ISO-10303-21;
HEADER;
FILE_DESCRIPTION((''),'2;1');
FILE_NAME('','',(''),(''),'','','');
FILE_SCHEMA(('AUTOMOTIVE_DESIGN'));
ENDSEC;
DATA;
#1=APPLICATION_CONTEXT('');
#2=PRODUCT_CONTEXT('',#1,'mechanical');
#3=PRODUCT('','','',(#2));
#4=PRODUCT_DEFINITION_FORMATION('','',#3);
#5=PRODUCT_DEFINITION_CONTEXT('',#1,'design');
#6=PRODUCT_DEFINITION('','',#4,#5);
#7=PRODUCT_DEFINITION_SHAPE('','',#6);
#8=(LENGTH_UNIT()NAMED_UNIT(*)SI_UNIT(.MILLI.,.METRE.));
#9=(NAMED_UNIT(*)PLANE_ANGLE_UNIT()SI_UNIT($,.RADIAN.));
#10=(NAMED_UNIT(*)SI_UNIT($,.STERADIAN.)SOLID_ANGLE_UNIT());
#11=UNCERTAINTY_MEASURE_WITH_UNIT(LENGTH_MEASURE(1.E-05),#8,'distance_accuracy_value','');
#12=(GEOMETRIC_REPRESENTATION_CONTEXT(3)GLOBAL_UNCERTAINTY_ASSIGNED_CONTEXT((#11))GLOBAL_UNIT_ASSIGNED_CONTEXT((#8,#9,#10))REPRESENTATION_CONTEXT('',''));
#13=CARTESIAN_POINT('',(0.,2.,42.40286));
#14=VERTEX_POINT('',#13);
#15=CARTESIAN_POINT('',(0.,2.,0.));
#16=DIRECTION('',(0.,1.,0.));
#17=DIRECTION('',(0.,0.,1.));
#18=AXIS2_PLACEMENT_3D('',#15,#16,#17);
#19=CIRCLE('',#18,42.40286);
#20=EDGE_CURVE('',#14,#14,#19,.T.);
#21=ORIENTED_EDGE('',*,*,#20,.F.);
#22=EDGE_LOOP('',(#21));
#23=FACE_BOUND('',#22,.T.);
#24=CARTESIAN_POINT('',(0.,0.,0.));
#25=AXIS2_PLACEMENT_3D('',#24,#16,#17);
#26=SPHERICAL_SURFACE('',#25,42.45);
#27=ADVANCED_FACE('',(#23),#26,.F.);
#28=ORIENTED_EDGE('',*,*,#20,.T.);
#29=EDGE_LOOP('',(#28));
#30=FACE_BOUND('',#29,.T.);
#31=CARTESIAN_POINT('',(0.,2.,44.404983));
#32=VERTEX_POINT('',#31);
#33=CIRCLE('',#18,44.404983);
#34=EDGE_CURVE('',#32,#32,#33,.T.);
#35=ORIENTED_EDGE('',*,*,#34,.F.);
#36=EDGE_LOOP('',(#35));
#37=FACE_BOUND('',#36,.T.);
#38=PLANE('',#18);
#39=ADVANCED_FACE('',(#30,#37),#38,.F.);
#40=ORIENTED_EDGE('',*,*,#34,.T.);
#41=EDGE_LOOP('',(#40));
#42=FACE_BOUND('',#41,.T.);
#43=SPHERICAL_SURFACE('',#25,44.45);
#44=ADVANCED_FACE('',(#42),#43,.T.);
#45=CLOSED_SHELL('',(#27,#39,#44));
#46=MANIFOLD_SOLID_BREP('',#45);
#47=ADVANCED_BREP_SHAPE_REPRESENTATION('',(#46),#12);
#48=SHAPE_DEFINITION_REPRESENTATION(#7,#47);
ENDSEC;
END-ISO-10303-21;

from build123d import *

# Parameters (mm, degrees)
REVOLVE1_ANGLE     = 180
SKETCH2_R          = 44.45
CUT_EXTRUDE1_DEPTH = 2


with BuildPart() as part:
    # Sketch1 → Revolve1 (revolve)
    with BuildSketch(Plane(origin=(0, 0, 0), x_dir=(1, 0, 0), z_dir=(0, 1, 0))):
        with BuildLine():
            ThreePointArc((0, 44.45), (-44.45, 0), (0, -44.45))
            Line((0, -44.45), (0, -42.45))
            ThreePointArc((0, -42.45), (-42.45, 0), (0, 42.45))
            Line((0, 42.45), (0, 44.45))
        make_face()
    revolve(axis=Axis((0, 0, 44.45), (0, 0, -1)), revolution_arc=REVOLVE1_ANGLE)

    # Sketch2 → Cut-Extrude1 (cut)
    with BuildSketch(Plane(origin=(0, 0, 0), x_dir=(1, 0, 0), z_dir=(0, 1, 0))):
        Circle(SKETCH2_R)
    extrude(amount=CUT_EXTRUDE1_DEPTH, mode=Mode.SUBTRACT)


solid = part.part
